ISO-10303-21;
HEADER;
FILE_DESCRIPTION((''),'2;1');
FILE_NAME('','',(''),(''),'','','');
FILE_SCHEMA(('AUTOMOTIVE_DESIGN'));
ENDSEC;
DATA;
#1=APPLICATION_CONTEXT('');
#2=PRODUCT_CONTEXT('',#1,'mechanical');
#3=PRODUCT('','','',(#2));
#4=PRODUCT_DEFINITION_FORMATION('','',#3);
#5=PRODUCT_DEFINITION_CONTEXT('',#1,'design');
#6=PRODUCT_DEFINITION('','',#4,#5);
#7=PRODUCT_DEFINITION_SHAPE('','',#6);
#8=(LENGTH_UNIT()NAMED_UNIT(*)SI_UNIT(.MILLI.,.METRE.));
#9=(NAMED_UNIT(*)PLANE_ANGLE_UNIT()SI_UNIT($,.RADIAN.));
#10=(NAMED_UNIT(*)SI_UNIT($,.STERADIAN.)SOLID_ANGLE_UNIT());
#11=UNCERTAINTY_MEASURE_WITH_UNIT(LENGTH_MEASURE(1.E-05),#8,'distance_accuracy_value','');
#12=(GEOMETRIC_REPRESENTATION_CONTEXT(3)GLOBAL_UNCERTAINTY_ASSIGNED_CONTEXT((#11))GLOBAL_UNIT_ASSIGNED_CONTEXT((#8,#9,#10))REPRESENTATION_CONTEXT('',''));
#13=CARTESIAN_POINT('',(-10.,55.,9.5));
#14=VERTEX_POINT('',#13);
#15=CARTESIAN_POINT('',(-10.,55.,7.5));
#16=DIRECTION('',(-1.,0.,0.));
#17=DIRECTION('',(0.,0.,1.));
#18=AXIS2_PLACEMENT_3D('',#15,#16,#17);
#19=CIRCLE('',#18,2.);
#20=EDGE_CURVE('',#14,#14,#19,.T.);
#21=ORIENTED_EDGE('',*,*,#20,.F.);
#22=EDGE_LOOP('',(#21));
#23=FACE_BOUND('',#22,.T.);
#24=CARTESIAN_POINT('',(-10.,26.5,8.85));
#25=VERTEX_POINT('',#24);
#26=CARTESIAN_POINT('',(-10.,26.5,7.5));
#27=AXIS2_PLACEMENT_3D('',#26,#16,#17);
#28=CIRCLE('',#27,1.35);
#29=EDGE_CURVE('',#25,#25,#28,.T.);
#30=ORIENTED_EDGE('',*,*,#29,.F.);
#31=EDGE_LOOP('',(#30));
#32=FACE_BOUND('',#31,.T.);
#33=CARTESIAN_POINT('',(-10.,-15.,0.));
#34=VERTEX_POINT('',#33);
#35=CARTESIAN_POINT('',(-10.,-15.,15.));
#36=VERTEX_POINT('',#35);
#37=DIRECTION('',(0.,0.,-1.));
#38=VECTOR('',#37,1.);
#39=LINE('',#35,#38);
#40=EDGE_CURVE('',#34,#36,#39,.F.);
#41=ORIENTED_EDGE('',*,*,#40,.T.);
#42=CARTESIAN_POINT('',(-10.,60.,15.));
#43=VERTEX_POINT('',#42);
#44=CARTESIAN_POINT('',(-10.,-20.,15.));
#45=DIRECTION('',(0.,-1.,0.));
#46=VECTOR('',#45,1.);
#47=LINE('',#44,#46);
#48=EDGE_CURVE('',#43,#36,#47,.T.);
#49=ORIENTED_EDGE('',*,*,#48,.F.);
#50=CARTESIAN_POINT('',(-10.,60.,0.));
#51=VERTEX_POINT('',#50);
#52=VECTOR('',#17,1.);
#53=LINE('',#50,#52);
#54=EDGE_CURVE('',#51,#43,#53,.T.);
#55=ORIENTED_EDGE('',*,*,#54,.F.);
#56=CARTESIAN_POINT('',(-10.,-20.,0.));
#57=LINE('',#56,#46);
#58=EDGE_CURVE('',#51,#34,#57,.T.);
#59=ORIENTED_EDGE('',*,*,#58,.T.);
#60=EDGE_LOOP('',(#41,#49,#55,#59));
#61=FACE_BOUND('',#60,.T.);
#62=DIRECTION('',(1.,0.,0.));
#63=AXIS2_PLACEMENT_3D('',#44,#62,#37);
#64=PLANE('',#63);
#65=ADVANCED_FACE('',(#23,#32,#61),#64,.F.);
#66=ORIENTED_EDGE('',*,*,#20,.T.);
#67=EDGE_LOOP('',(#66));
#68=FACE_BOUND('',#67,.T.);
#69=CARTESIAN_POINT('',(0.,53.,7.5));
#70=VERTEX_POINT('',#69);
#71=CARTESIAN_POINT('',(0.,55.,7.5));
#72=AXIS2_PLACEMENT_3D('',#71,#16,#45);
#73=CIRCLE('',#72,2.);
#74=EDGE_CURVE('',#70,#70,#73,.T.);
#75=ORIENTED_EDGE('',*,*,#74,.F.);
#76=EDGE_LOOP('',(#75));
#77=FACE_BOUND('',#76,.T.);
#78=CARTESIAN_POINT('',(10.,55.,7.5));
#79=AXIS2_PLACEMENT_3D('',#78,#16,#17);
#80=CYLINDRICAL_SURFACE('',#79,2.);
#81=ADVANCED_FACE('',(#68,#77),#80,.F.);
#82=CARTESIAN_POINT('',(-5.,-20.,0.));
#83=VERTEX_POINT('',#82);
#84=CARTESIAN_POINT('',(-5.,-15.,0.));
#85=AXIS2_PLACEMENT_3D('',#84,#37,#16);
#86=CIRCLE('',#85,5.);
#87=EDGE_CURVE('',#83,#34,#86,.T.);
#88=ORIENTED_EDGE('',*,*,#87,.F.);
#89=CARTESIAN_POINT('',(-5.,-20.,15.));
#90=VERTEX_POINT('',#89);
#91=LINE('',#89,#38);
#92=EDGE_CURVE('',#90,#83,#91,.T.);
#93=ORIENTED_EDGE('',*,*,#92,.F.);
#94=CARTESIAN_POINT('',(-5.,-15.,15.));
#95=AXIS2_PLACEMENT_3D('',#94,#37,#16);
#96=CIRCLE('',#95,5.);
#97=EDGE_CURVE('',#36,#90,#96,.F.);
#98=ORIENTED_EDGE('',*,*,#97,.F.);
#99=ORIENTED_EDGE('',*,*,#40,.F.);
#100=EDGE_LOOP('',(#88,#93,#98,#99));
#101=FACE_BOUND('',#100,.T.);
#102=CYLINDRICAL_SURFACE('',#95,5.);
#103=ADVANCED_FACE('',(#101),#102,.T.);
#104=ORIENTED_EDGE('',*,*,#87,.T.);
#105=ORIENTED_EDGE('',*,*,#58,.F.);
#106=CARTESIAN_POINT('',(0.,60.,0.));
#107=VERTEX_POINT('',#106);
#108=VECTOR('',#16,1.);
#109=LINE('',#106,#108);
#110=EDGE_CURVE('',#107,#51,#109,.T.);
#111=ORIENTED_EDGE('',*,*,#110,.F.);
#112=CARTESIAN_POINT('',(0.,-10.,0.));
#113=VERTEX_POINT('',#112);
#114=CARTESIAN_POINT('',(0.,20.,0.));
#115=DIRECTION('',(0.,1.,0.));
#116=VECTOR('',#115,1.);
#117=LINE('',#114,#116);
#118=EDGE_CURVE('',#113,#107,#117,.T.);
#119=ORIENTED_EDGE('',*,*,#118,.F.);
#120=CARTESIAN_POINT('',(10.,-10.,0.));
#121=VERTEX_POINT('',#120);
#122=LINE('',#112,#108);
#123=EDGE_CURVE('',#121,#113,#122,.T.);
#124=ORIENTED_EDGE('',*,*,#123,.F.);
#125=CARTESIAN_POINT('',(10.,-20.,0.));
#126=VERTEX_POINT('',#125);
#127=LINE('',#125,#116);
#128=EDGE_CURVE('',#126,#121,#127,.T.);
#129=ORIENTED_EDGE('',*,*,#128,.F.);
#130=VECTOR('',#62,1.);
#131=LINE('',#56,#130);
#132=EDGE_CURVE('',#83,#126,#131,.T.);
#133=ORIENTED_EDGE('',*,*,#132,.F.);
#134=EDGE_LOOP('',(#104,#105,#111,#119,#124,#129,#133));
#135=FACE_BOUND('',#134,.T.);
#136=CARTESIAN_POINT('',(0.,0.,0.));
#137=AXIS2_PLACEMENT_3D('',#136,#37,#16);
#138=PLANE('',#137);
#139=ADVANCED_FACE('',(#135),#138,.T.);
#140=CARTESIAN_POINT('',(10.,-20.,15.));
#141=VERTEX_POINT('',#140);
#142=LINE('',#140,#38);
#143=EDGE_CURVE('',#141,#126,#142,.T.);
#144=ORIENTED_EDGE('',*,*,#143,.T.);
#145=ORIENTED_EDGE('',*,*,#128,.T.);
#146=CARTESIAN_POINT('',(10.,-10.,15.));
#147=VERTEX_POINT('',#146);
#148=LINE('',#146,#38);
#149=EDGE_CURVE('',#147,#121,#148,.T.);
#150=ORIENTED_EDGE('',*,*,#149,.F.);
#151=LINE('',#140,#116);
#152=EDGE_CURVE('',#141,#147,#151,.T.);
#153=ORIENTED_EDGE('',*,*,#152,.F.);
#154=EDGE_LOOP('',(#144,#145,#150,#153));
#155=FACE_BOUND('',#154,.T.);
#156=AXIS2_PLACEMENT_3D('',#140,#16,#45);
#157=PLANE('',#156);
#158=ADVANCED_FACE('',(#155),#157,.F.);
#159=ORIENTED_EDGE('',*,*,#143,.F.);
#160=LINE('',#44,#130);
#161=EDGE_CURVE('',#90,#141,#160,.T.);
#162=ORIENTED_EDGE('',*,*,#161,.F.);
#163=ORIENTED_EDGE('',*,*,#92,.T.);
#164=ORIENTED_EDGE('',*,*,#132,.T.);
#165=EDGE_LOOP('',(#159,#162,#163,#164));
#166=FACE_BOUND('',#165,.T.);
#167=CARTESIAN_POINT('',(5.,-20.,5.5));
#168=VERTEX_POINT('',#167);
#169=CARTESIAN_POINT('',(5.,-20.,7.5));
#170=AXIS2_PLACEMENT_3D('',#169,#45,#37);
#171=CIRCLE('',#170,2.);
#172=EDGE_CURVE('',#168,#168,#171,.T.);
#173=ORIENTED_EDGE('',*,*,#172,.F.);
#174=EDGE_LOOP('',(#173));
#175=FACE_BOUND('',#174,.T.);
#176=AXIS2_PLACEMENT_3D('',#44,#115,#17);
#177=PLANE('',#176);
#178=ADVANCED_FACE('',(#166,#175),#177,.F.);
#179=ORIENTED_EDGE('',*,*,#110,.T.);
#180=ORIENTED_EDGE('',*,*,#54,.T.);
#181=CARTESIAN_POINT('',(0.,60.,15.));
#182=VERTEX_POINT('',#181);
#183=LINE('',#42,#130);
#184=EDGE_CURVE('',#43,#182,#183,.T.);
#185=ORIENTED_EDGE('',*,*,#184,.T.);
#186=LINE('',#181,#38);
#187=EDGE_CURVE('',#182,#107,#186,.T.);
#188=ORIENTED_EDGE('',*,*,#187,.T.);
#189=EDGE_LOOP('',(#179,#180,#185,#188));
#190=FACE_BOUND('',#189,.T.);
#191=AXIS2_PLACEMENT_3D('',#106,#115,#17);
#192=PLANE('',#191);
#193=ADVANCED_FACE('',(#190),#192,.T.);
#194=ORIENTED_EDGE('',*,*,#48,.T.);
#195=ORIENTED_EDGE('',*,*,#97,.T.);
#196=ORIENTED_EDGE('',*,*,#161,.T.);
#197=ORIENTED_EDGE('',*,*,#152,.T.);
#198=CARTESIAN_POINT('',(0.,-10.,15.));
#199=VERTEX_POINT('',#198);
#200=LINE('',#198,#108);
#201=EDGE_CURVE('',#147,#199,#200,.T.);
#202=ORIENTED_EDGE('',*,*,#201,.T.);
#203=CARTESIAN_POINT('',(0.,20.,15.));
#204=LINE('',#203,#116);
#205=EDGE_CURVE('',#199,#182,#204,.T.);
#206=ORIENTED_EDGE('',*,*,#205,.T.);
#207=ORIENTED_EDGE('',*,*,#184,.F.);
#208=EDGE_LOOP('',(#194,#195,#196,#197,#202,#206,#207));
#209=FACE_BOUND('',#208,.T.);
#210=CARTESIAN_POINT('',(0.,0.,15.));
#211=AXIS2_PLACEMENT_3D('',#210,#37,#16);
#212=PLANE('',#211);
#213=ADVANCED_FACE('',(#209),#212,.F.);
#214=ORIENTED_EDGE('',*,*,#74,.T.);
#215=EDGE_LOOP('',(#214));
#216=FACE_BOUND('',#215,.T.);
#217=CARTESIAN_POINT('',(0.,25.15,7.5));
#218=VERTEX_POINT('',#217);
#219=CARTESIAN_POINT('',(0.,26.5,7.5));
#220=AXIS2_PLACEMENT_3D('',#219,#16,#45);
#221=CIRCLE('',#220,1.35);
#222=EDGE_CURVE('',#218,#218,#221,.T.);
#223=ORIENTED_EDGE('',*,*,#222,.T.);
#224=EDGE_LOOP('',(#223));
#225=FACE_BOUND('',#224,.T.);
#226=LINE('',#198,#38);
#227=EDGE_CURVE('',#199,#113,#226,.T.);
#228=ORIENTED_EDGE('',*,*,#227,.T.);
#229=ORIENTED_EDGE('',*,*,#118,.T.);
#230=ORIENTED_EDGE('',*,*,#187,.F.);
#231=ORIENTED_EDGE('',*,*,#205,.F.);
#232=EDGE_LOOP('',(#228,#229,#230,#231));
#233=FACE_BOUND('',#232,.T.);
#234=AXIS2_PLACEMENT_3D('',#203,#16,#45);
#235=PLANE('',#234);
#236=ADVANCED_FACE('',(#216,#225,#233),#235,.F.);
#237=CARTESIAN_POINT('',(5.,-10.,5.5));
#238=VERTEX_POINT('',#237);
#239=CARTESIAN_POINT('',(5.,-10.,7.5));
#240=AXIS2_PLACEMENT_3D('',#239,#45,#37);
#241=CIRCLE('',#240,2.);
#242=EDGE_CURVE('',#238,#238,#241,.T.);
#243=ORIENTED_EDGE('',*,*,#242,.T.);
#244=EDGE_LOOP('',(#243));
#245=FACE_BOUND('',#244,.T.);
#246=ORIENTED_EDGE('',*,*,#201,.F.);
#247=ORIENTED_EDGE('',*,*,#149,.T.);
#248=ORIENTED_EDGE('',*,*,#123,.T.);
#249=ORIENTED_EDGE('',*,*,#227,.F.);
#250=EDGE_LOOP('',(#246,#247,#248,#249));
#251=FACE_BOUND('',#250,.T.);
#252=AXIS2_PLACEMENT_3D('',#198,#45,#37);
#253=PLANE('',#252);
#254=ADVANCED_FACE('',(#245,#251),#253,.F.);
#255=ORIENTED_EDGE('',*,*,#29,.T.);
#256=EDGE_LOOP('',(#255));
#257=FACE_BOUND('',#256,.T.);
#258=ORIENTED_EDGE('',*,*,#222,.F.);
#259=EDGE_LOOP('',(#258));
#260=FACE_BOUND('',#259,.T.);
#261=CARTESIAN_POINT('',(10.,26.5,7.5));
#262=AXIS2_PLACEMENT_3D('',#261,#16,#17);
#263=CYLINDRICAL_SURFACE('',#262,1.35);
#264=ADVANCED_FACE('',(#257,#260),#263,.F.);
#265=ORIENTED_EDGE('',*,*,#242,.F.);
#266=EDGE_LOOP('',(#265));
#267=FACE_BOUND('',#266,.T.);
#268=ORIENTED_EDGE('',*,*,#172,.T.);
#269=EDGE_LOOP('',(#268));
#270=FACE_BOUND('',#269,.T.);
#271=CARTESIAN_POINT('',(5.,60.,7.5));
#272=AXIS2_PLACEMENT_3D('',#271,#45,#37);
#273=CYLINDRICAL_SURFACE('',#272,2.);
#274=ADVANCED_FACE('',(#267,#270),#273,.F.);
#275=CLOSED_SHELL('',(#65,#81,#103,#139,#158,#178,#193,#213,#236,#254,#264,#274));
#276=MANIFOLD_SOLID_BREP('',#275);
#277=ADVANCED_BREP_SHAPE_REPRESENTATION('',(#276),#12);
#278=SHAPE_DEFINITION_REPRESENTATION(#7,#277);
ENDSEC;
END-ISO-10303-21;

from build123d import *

# Parameters (mm, degrees)
BOSS_EXTRUDE1_DEPTH = 15
FILLET1_R           = 5
SKETCH2_W           = 10
SKETCH2_H           = 15
BOSS_EXTRUDE2_DEPTH = 40
SKETCH3_R           = 2
CUT_EXTRUDE1_DEPTH  = 81
SKETCH4_R           = 2
CUT_EXTRUDE2_DEPTH  = 21
SKETCH5_R           = 1.35
CUT_EXTRUDE3_DEPTH  = 21


with BuildPart() as part:
    # Sketch1 → Boss-Extrude1 (new body)
    with BuildSketch(Plane.XY):
        Polygon((0, 20), (0, -10), (10, -10), (10, -20), (-10, -20), (-10, 20), align=None)
    extrude(amount=BOSS_EXTRUDE1_DEPTH)

    # Fillet1
    fillet1_edges = [part.edges().sort_by_distance(p)[0] for p in [
        (-10, -20, 7.5),
    ]]
    fillet(fillet1_edges, radius=FILLET1_R)

    # Sketch2 → Boss-Extrude2 (add)
    with BuildSketch(Plane(origin=(0, 20, 0), x_dir=(1, 0, 0), z_dir=(0, 1, 0))):
        with Locations((-5, -7.5)):
            Rectangle(SKETCH2_W, SKETCH2_H)
    extrude(amount=BOSS_EXTRUDE2_DEPTH)

    # Sketch3 → Cut-Extrude1 (cut, through all)
    with BuildSketch(Plane.XZ.offset(20)):
        with Locations((5, 7.5)):
            Circle(SKETCH3_R)
    extrude(amount=-CUT_EXTRUDE1_DEPTH, mode=Mode.SUBTRACT)

    # Sketch4 → Cut-Extrude2 (cut, through all)
    with BuildSketch(Plane.ZY.offset(10)):
        with Locations((7.5, 55)):
            Circle(SKETCH4_R)
    extrude(amount=-CUT_EXTRUDE2_DEPTH, mode=Mode.SUBTRACT)

    # Sketch5 → Cut-Extrude3 (cut, through all)
    with BuildSketch(Plane.ZY.offset(10)):
        with Locations((7.5, 26.5)):
            Circle(SKETCH5_R)
    extrude(amount=-CUT_EXTRUDE3_DEPTH, mode=Mode.SUBTRACT)


solid = part.part
